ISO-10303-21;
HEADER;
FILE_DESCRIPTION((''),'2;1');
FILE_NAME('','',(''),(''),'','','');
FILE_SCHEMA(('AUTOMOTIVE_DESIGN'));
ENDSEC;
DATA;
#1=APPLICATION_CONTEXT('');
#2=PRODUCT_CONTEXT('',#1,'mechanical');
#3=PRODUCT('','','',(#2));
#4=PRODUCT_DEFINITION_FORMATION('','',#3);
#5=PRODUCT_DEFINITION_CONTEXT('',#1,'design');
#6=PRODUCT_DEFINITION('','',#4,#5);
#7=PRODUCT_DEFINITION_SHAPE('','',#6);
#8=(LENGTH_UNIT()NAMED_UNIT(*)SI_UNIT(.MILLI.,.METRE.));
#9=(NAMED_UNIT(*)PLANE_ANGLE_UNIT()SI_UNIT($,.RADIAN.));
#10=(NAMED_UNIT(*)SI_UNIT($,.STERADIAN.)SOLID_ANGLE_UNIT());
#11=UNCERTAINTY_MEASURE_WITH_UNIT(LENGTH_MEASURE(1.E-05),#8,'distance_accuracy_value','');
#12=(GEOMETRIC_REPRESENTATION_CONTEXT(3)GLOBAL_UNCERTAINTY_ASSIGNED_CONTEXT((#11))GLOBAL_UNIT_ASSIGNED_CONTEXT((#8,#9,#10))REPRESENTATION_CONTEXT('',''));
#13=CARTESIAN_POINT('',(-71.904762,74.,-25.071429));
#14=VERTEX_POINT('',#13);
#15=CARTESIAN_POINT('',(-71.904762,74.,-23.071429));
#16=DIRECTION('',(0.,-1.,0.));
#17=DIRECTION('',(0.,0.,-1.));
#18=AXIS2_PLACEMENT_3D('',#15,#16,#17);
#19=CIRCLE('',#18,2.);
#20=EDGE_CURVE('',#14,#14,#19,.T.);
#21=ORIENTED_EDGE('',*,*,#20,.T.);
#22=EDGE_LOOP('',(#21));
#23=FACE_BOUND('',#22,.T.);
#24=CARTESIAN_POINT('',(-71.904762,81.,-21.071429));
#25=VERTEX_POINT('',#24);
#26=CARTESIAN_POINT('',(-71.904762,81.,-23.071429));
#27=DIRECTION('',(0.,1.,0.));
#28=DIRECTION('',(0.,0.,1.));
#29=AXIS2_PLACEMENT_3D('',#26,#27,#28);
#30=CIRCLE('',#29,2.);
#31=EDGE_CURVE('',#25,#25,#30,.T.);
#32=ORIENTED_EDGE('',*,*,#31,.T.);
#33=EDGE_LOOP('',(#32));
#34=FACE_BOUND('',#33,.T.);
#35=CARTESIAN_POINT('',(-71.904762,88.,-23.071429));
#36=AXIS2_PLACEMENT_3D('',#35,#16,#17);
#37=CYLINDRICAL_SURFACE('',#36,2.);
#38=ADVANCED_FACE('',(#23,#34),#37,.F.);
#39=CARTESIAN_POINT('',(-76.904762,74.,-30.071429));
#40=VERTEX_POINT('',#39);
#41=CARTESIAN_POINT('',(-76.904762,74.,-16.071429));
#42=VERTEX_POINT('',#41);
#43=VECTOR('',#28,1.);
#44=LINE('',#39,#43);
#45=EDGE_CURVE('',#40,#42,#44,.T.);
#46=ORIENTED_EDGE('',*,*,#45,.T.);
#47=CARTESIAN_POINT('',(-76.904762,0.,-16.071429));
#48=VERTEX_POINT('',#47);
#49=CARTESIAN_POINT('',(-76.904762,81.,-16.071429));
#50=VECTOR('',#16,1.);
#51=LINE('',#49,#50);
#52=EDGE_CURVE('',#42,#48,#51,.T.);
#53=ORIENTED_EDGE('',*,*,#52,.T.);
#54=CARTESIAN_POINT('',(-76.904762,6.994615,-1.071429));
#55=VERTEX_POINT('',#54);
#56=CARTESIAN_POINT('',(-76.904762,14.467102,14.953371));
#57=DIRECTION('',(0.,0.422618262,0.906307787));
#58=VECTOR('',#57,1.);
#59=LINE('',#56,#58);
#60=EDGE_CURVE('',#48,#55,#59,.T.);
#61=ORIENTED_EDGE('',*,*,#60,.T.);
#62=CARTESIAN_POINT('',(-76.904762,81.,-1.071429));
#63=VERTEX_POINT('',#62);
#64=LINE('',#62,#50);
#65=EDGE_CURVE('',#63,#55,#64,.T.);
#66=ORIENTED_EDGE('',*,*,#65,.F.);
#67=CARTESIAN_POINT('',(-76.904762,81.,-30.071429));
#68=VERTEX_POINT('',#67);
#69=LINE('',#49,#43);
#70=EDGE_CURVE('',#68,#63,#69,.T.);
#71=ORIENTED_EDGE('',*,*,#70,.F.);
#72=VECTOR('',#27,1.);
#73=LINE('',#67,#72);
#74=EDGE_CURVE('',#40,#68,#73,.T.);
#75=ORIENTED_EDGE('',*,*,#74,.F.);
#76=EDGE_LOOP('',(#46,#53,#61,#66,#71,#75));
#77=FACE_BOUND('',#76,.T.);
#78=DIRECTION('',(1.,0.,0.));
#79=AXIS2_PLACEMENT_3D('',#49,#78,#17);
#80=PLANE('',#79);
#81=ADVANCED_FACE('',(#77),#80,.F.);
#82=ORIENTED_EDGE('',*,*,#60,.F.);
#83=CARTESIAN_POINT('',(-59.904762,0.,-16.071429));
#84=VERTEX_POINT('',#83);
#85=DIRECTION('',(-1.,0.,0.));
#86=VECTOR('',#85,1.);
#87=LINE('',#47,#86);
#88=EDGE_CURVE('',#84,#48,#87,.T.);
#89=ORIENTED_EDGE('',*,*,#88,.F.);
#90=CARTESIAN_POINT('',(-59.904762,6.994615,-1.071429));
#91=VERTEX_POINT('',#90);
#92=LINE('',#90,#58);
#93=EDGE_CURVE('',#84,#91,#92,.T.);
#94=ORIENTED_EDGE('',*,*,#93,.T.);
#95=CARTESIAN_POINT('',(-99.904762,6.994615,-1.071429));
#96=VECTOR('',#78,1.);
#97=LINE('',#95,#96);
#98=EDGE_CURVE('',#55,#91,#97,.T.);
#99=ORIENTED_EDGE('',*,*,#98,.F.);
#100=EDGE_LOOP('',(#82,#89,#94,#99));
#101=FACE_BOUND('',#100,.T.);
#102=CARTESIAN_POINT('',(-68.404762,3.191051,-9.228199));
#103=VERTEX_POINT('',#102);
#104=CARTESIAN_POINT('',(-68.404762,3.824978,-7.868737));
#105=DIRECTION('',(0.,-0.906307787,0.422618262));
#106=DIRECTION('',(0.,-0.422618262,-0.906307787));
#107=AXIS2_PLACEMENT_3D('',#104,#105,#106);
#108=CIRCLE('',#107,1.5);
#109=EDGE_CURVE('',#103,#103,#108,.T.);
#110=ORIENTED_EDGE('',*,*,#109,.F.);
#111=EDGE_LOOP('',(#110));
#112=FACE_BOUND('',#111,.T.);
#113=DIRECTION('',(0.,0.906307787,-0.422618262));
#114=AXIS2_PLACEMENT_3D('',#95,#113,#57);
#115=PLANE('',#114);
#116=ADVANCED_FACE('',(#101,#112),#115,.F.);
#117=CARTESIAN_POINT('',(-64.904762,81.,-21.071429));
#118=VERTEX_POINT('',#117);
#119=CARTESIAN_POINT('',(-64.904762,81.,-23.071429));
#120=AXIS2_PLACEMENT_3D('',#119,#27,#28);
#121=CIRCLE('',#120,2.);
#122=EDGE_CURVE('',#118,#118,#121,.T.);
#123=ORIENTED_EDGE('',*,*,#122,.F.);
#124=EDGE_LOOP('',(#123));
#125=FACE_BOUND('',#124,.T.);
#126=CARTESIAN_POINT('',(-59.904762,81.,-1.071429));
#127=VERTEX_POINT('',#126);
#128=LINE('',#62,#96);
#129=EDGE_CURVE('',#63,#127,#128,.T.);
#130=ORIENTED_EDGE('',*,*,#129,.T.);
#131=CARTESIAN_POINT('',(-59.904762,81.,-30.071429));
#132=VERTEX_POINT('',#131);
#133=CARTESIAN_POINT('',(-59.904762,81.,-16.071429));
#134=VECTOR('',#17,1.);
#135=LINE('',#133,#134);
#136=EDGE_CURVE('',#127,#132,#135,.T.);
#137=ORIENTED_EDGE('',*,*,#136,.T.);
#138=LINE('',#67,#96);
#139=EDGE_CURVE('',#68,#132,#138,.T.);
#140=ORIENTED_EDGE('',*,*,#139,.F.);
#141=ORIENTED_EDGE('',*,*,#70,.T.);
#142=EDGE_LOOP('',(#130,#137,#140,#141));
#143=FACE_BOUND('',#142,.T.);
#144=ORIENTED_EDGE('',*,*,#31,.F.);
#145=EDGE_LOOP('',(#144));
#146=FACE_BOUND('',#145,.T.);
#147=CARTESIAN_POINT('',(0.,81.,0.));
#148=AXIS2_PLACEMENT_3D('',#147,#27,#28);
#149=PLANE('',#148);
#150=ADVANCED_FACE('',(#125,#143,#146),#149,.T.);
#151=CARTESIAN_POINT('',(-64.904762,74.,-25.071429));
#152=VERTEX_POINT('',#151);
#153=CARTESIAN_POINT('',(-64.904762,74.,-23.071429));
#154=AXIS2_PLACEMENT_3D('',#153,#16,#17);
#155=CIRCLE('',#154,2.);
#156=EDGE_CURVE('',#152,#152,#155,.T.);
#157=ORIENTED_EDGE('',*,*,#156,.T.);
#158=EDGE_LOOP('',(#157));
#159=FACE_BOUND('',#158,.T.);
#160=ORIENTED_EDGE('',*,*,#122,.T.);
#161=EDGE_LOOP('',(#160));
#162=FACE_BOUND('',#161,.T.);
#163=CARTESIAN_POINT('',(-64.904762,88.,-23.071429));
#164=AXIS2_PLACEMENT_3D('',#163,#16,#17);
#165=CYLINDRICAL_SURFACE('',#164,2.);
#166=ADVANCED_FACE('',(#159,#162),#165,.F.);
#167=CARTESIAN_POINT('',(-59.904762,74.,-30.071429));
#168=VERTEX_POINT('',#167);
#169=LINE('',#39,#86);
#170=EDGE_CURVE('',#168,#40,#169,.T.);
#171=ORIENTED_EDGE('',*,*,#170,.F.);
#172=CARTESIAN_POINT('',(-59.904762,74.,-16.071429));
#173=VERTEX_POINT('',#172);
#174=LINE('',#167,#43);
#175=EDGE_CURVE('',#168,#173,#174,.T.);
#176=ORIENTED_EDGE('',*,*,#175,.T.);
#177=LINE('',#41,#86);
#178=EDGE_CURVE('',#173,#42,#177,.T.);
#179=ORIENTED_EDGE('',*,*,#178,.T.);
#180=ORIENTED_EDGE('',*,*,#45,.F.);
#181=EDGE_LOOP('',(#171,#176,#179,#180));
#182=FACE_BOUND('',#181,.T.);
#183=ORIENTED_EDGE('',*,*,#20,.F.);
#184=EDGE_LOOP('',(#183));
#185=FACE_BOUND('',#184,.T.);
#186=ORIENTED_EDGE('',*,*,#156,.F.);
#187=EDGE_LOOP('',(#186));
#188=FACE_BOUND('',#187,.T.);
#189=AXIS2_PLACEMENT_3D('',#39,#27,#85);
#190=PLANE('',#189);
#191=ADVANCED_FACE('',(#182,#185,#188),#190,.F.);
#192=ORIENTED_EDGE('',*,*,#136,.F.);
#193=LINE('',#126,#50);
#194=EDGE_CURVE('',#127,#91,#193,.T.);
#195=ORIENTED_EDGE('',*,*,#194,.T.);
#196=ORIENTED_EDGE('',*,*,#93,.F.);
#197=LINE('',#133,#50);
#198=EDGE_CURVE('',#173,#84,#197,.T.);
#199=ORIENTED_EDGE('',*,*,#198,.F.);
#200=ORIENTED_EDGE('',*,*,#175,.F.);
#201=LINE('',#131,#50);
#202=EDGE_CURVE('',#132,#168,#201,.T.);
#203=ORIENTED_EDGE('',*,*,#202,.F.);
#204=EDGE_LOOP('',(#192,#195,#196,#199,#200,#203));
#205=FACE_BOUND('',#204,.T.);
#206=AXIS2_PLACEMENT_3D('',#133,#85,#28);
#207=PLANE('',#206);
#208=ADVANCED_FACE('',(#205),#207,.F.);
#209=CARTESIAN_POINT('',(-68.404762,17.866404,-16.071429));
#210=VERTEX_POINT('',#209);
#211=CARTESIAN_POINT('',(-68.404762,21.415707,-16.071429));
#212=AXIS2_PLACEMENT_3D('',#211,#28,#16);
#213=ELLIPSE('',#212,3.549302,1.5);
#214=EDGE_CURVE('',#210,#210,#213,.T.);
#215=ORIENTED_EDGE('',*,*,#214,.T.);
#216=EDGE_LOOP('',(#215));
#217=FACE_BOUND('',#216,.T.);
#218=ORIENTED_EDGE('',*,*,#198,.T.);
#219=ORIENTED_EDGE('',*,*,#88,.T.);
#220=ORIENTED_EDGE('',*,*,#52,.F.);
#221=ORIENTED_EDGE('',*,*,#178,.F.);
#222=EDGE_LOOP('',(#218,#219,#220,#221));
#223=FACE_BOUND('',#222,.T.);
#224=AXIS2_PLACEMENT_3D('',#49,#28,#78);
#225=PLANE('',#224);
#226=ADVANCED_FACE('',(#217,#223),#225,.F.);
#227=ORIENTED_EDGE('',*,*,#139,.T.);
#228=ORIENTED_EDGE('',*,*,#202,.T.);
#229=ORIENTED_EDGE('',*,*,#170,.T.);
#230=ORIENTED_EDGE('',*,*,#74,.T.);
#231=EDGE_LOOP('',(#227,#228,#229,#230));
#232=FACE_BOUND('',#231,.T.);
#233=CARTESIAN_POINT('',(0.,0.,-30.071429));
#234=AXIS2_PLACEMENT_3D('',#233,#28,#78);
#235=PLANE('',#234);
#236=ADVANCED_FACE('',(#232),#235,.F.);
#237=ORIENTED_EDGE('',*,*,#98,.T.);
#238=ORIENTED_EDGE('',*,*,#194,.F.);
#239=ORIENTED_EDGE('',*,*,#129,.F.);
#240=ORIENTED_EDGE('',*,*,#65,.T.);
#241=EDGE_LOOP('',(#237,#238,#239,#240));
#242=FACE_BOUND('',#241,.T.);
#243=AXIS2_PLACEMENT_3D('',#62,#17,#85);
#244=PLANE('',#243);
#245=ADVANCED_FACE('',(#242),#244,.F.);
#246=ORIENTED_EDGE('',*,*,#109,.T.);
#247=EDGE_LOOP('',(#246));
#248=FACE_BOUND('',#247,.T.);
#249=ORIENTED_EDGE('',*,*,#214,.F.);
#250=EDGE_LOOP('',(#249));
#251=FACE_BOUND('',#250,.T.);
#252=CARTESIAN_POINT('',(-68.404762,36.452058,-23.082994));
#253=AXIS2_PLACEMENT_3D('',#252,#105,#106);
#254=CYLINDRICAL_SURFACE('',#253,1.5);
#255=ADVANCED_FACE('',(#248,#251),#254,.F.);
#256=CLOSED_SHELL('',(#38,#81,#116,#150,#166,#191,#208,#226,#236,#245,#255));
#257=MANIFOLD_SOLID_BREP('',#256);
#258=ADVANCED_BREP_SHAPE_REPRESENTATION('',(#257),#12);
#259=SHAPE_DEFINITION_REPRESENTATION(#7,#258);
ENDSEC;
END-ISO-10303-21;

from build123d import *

# Parameters (mm, degrees)
SKETCH1_W           = 17
SKETCH1_H           = 15
BOSS_EXTRUDE1_DEPTH = 81
CUT_EXTRUDE1_DEPTH  = 40
SKETCH3_R           = 1.5
CUT_EXTRUDE2_DEPTH  = 36
SKETCH4_W           = 17
SKETCH4_H           = 7
BOSS_EXTRUDE2_DEPTH = 14
SKETCH5_R           = 2
CUT_EXTRUDE3_DEPTH  = 14


with BuildPart() as part:
    # Sketch1 → Boss-Extrude1 (new body)
    with BuildSketch(Plane(origin=(0, 0, 0), x_dir=(1, 0, 0), z_dir=(0, 1, 0))):
        with Locations((-68.404761905, 8.571428571)):
            Rectangle(SKETCH1_W, SKETCH1_H)
    extrude(amount=BOSS_EXTRUDE1_DEPTH)

    # Sketch2 → Cut-Extrude1 (cut)
    with BuildSketch(Plane(origin=(-59.904761905, 0, 0), x_dir=(0, 0, -1), z_dir=(1, 0, 0))):
        Polygon((16.071428571, 0), (1.071428571, 0), (1.071428571, 6.994614872), align=None)
    extrude(amount=-CUT_EXTRUDE1_DEPTH, mode=Mode.SUBTRACT)

    # Sketch3 → Cut-Extrude2 (cut)
    with BuildSketch(Plane(origin=(0, 6.155714275, -2.870456708), x_dir=(1, 0, 0), z_dir=(0, -0.9063077870366528, 0.4226182617406934))):
        with Locations(Location((-68.404761905, -5.514992079, 0), (0, 0, 270))):
            Circle(SKETCH3_R)
    extrude(amount=-CUT_EXTRUDE2_DEPTH, mode=Mode.SUBTRACT)

    # Sketch4 → Boss-Extrude2 (add)
    with BuildSketch(Plane(origin=(0, 0, -16.071428571), x_dir=(-1, 0, 0), z_dir=(0, 0, -1))):
        with Locations((68.404761905, 77.5)):
            Rectangle(SKETCH4_W, SKETCH4_H)
    extrude(amount=BOSS_EXTRUDE2_DEPTH)

    # Sketch5 → Cut-Extrude3 (cut)
    with BuildSketch(Plane(origin=(0, 74, 0), x_dir=(-1, 0, 0), z_dir=(0, -1, 0))):
        with Locations(Location((71.904761905, 23.071428571, 0), (0, 0, 90))):
            Circle(SKETCH5_R)
        with Locations(Location((64.904761905, 23.071428571, 0), (0, 0, 90))):
            Circle(SKETCH5_R)
    extrude(amount=-CUT_EXTRUDE3_DEPTH, mode=Mode.SUBTRACT)


solid = part.part
